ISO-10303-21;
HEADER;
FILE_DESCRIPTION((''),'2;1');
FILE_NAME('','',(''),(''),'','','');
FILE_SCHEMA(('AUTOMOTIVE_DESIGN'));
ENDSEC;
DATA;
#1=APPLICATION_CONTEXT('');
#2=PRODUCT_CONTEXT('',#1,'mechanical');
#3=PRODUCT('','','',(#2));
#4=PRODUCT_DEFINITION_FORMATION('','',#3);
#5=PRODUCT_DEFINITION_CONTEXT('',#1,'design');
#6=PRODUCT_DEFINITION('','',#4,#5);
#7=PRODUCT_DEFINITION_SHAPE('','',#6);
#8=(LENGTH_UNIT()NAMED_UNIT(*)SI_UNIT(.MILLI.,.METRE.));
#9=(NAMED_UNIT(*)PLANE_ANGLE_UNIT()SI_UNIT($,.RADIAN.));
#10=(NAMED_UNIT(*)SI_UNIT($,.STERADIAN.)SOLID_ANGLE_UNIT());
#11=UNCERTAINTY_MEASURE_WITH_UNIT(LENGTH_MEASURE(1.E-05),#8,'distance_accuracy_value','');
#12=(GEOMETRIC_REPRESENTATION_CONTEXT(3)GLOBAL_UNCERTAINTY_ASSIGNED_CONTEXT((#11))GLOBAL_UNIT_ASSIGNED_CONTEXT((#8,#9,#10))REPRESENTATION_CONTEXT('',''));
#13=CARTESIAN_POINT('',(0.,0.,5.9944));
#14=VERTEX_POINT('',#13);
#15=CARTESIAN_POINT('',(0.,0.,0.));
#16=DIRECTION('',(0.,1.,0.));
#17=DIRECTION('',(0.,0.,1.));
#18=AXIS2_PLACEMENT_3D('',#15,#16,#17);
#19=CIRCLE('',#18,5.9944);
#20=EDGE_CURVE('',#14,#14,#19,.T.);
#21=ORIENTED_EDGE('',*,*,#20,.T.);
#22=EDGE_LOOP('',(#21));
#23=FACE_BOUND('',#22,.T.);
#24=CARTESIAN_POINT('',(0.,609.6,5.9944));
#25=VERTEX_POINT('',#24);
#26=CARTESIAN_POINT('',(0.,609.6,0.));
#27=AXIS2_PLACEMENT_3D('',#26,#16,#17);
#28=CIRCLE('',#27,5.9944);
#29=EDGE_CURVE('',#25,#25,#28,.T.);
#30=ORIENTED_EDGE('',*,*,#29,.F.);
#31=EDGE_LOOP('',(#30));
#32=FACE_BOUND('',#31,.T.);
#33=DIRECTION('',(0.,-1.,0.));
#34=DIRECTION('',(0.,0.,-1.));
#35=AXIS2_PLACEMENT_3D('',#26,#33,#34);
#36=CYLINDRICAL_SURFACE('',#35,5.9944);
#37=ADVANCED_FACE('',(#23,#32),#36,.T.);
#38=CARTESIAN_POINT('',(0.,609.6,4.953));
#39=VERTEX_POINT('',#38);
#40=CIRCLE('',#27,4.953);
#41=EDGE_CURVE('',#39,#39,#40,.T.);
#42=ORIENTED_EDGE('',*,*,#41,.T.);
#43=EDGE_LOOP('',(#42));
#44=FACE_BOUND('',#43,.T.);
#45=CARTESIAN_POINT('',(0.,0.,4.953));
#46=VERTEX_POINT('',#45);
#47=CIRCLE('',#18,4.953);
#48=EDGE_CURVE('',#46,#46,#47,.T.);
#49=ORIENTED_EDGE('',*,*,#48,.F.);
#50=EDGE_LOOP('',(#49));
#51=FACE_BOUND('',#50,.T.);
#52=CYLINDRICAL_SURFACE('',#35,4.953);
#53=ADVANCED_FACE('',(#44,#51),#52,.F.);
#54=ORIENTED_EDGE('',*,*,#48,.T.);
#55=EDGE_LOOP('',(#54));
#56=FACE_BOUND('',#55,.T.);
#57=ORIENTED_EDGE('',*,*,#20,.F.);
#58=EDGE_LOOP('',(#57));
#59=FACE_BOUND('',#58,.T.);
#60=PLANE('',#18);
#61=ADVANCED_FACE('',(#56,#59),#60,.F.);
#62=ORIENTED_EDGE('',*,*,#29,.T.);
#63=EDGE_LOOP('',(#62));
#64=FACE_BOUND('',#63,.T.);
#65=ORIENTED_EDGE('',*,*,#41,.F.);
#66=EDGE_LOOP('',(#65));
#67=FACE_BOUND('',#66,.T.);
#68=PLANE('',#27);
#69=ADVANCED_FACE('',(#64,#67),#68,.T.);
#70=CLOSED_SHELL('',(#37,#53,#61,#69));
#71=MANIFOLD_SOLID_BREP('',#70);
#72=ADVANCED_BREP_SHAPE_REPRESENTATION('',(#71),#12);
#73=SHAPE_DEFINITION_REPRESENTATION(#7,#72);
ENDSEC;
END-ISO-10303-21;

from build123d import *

# Parameters (mm, degrees)
SKETCH1_R           = 5.9944
SKETCH1_R_2         = 4.953
BOSS_EXTRUDE1_DEPTH = 609.6


with BuildPart() as part:
    # Sketch1 → Boss-Extrude1 (new body)
    with BuildSketch(Plane(origin=(0, 0, 0), x_dir=(1, 0, 0), z_dir=(0, 1, 0))):
        Circle(SKETCH1_R)
        Circle(SKETCH1_R_2, mode=Mode.SUBTRACT)
    extrude(amount=BOSS_EXTRUDE1_DEPTH)


solid = part.part
